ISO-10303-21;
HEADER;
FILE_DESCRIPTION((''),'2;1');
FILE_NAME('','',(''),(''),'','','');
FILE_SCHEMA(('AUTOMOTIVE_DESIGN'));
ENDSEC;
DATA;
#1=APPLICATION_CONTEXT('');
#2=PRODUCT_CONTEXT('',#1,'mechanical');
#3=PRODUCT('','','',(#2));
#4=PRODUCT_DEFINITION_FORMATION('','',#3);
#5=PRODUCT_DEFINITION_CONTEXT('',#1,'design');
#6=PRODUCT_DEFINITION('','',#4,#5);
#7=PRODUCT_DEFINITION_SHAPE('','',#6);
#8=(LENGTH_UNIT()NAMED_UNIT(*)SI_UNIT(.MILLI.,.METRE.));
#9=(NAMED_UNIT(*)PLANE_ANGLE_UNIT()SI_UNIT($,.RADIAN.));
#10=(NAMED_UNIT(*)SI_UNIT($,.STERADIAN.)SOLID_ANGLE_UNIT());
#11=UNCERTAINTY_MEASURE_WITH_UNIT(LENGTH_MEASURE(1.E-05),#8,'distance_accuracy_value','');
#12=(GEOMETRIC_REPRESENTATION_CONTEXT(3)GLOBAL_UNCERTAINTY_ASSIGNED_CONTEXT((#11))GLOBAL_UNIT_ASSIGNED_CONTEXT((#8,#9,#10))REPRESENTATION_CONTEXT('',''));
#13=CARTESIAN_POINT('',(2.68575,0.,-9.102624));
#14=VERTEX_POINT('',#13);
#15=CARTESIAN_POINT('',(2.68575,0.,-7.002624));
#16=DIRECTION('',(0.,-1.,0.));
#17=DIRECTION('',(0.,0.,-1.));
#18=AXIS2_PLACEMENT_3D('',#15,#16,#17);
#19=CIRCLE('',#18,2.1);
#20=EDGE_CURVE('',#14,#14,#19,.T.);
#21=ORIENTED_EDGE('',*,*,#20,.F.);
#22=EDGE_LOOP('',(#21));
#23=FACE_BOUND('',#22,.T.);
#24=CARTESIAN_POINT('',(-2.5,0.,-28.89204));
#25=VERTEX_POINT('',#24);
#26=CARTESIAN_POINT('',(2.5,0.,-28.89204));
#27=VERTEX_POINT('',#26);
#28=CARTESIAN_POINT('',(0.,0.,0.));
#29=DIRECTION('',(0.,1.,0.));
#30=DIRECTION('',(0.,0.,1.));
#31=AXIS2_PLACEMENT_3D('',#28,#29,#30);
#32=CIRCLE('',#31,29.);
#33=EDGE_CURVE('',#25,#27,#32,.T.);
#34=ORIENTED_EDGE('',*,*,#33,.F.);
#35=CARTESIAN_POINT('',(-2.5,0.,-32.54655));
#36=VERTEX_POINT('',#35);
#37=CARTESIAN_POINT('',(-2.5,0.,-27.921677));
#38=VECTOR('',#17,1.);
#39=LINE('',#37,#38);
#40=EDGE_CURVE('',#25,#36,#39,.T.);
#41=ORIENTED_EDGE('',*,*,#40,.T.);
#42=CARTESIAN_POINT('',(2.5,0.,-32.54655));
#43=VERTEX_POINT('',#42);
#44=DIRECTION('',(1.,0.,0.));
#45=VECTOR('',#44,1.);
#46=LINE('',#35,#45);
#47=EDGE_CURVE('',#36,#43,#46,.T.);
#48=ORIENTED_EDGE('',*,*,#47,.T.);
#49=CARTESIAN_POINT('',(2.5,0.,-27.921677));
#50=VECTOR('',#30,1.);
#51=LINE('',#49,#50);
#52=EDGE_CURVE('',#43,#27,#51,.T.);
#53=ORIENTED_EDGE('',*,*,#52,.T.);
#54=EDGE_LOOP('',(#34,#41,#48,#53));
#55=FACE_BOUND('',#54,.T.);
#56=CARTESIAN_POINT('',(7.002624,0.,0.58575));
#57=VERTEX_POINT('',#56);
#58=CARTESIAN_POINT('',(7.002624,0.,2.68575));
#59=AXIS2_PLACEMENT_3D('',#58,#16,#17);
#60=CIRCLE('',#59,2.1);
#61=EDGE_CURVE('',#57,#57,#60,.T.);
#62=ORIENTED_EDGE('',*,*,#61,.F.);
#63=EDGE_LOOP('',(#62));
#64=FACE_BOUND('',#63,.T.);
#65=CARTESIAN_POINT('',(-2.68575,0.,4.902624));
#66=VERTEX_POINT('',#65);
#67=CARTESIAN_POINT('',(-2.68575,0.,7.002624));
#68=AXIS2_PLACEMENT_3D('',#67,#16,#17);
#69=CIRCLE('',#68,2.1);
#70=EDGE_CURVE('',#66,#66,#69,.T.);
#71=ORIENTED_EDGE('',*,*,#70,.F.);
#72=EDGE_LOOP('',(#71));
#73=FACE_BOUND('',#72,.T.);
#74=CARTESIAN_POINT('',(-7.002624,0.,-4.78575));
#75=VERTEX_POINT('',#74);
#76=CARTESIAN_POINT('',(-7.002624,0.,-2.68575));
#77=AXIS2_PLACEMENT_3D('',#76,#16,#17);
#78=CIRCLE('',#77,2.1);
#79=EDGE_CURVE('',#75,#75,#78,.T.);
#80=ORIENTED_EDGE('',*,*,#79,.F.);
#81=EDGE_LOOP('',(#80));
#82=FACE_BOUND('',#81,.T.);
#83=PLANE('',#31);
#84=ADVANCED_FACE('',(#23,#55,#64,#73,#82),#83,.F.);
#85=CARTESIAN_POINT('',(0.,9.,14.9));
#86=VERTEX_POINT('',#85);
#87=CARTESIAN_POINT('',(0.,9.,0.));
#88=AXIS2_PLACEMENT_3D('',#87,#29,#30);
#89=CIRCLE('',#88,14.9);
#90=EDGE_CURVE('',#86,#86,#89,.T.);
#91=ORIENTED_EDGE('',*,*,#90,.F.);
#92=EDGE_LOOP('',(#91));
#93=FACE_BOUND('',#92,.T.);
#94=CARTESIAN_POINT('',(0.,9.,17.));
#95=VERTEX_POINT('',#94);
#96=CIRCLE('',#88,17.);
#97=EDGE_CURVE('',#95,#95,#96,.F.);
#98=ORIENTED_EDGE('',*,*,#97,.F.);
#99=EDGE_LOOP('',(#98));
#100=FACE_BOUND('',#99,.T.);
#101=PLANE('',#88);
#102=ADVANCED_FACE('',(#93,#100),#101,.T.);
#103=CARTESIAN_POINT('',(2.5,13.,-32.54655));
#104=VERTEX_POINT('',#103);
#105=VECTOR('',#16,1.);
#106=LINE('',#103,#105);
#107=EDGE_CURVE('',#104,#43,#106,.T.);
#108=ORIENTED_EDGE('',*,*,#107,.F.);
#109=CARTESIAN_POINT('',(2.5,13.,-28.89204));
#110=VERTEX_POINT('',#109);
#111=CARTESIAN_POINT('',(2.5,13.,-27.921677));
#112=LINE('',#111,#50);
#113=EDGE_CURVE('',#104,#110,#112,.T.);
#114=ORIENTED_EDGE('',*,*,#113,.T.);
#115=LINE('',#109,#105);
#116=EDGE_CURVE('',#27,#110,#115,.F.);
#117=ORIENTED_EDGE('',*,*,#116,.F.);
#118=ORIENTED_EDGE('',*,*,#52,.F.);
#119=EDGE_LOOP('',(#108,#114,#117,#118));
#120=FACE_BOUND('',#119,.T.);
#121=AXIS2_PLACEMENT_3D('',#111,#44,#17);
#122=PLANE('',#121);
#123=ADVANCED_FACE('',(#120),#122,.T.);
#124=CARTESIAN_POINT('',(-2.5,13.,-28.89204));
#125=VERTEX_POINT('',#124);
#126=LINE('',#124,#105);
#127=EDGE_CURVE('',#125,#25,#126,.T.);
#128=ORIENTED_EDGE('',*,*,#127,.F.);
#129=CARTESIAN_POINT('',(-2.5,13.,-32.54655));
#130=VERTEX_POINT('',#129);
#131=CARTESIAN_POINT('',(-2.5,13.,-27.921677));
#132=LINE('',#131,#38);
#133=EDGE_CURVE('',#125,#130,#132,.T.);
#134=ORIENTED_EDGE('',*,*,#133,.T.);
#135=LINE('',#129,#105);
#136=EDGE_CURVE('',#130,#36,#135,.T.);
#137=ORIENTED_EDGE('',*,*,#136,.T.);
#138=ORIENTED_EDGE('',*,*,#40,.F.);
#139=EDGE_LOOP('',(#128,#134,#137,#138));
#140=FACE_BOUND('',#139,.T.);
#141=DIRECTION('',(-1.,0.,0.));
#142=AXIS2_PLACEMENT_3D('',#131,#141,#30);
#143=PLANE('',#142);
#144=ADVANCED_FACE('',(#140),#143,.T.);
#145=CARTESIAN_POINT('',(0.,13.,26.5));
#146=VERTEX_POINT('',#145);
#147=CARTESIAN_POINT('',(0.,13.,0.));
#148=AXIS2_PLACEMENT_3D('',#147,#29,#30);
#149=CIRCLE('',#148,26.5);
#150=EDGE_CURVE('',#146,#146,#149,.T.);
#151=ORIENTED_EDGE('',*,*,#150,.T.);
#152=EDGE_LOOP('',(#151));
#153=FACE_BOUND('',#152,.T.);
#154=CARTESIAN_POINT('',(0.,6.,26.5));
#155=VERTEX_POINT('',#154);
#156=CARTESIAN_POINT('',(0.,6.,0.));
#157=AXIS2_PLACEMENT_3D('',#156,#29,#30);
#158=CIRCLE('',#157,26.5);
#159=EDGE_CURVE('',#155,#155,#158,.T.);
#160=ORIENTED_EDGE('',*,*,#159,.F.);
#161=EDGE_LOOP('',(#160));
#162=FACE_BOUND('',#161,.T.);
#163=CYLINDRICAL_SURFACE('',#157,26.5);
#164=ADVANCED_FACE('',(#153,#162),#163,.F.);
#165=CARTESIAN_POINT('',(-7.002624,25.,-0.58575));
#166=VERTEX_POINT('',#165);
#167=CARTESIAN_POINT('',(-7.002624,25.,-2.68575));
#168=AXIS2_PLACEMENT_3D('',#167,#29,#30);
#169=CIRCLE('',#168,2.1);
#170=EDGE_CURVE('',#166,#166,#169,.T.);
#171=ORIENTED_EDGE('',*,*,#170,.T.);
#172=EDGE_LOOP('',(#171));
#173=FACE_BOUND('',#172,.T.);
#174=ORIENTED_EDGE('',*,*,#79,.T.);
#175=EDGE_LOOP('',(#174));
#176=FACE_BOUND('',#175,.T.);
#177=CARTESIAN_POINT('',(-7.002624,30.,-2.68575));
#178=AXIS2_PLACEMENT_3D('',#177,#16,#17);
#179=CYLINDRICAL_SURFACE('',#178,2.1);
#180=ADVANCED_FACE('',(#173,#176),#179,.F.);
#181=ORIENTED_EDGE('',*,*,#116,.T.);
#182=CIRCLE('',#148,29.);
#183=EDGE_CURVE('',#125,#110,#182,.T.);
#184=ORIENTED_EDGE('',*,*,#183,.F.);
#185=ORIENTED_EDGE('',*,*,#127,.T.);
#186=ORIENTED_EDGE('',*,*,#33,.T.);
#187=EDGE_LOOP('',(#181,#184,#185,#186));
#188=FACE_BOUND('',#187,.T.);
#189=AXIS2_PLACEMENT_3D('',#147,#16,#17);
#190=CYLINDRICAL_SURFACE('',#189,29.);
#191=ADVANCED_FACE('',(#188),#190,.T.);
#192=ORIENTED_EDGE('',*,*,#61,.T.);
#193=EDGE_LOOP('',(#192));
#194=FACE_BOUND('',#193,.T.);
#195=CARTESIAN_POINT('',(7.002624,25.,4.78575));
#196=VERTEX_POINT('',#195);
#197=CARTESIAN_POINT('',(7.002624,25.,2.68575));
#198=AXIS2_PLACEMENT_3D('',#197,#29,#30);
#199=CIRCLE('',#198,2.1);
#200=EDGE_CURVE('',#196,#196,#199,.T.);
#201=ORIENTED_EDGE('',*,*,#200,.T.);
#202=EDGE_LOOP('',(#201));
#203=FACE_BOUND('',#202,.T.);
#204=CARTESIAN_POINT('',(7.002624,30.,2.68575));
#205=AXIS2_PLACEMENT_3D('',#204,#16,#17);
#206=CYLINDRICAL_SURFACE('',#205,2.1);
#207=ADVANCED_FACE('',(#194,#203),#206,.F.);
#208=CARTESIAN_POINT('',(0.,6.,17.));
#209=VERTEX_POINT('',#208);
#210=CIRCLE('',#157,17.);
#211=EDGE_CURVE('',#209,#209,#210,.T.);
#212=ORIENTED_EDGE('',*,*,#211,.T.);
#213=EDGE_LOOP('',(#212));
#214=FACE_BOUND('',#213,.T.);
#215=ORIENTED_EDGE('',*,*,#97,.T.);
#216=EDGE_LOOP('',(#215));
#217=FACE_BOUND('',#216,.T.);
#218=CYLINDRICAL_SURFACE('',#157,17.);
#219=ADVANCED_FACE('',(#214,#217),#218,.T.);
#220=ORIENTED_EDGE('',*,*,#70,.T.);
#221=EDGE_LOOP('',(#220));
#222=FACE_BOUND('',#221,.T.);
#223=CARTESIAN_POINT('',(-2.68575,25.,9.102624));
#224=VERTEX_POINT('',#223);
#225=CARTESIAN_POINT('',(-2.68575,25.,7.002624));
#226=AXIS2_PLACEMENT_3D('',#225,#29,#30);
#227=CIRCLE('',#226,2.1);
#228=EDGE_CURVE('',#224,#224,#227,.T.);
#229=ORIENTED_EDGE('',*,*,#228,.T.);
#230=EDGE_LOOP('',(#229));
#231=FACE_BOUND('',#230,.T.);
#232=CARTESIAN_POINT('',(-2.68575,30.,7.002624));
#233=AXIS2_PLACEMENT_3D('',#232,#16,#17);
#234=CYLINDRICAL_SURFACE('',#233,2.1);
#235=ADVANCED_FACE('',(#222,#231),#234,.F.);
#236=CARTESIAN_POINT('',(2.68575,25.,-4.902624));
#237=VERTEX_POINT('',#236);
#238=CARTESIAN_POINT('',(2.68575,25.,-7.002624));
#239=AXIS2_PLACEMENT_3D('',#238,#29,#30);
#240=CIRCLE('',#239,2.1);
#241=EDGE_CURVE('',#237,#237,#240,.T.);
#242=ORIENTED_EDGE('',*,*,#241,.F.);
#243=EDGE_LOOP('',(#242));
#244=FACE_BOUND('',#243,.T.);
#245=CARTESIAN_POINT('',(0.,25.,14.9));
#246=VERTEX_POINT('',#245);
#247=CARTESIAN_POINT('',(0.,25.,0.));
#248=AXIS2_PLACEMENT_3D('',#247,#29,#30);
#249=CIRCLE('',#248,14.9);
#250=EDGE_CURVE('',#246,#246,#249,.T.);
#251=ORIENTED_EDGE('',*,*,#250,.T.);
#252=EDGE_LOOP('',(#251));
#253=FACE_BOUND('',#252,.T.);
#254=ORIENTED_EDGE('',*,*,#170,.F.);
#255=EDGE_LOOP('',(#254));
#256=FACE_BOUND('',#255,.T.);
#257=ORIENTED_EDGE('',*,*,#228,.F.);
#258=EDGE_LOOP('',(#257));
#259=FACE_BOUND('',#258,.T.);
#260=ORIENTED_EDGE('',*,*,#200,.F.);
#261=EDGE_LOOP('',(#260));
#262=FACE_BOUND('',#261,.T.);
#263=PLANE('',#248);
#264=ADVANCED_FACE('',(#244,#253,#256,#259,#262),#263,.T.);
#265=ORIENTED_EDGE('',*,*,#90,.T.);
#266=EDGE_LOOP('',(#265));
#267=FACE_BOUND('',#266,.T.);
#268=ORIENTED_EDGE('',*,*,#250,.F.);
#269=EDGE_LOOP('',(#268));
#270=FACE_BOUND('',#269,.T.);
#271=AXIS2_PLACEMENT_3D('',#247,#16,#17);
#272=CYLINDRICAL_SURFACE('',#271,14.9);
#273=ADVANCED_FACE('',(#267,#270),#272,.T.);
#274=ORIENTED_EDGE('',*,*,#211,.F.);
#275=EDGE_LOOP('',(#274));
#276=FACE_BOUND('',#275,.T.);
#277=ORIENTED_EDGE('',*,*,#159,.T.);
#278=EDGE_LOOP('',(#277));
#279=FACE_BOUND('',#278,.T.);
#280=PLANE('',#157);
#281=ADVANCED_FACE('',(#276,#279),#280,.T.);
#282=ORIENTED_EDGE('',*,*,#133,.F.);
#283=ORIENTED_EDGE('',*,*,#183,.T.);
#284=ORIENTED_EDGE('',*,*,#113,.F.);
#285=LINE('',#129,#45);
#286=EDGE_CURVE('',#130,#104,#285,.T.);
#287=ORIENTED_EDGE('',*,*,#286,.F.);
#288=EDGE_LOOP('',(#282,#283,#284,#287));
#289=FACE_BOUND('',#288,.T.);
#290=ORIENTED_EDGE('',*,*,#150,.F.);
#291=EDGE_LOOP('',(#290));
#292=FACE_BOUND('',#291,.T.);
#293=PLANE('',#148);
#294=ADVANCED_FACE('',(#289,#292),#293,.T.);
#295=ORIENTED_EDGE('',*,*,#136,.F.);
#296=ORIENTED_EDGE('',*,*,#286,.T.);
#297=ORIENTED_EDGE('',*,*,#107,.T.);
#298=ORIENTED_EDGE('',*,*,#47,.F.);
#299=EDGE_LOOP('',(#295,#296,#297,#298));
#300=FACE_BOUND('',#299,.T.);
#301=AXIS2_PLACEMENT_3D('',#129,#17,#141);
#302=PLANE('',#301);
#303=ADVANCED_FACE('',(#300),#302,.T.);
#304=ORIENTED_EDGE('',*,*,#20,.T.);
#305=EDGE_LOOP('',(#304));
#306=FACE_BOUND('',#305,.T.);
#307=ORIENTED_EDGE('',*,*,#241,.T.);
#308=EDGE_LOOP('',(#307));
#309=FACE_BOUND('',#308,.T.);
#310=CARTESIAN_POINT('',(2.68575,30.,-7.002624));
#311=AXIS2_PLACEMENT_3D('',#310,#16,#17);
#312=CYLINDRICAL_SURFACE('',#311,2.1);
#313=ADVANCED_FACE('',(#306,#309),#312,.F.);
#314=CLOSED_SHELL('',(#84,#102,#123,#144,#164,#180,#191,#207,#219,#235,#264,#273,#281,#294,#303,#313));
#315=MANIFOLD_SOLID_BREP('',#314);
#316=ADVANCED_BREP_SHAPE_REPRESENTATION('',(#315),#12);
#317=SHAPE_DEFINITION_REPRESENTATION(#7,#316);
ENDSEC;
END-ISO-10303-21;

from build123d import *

# Parameters (mm, degrees)
SKETCH1_R           = 29
BOSS_EXTRUDE1_DEPTH = 13
SKETCH2_R           = 26.5
SKETCH2_R_2         = 17
CUT_EXTRUDE1_DEPTH  = 7
SKETCH4_R           = 17.25
CUT_EXTRUDE3_DEPTH  = 4
SKETCH5_W           = 5
SKETCH5_H           = 4.624873007
BOSS_EXTRUDE2_DEPTH = 13
SKETCH6_R           = 14.9
BOSS_EXTRUDE3_DEPTH = 16
SKETCH3_R           = 2.1
CUT_EXTRUDE2_DEPTH  = 30


with BuildPart() as part:
    # Sketch1 → Boss-Extrude1 (new body)
    with BuildSketch(Plane(origin=(0, 0, 0), x_dir=(1, 0, 0), z_dir=(0, 1, 0))):
        with Locations(Location((0, 0, 0), (0, 0, 90))):
            Circle(SKETCH1_R)
    extrude(amount=BOSS_EXTRUDE1_DEPTH)

    # Sketch2 → Cut-Extrude1 (cut)
    with BuildSketch(Plane(origin=(0, 13, 0), x_dir=(1, 0, 0), z_dir=(0, 1, 0))):
        with Locations(Location((0, 0, 0), (0, 0, 270))):
            Circle(SKETCH2_R)
        with Locations(Location((0, 0, 0), (0, 0, 270))):
            Circle(SKETCH2_R_2, mode=Mode.SUBTRACT)
    extrude(amount=-CUT_EXTRUDE1_DEPTH, mode=Mode.SUBTRACT)

    # Sketch4 → Cut-Extrude3 (cut)
    with BuildSketch(Plane(origin=(0, 13, 0), x_dir=(1, 0, 0), z_dir=(0, 1, 0))):
        Circle(SKETCH4_R)
    extrude(amount=-CUT_EXTRUDE3_DEPTH, mode=Mode.SUBTRACT)

    # Sketch5 → Boss-Extrude2 (add)
    with BuildSketch(Plane.XZ):
        with Locations((0, -30.234113057)):
            Rectangle(SKETCH5_W, SKETCH5_H)
    extrude(amount=-BOSS_EXTRUDE2_DEPTH)

    # Sketch6 → Boss-Extrude3 (add)
    with BuildSketch(Plane(origin=(0, 9, 0), x_dir=(1, 0, 0), z_dir=(0, 1, 0))):
        with Locations(Location((0, 0, 0), (0, 0, 270))):
            Circle(SKETCH6_R)
    extrude(amount=BOSS_EXTRUDE3_DEPTH)

    # Sketch3 → Cut-Extrude2 (cut)
    with BuildSketch(Plane.XZ):
        with Locations(Location((7.002624358, 2.68574982, 0), (0, 0, 270))):
            Circle(SKETCH3_R)
        with Locations(Location((-7.002624358, -2.68574982, 0), (0, 0, 270))):
            Circle(SKETCH3_R)
        with Locations(Location((2.68574982, -7.002624358, 0), (0, 0, 270))):
            Circle(SKETCH3_R)
        with Locations(Location((-2.68574982, 7.002624358, 0), (0, 0, 270))):
            Circle(SKETCH3_R)
    extrude(amount=-CUT_EXTRUDE2_DEPTH, mode=Mode.SUBTRACT)


solid = part.part
